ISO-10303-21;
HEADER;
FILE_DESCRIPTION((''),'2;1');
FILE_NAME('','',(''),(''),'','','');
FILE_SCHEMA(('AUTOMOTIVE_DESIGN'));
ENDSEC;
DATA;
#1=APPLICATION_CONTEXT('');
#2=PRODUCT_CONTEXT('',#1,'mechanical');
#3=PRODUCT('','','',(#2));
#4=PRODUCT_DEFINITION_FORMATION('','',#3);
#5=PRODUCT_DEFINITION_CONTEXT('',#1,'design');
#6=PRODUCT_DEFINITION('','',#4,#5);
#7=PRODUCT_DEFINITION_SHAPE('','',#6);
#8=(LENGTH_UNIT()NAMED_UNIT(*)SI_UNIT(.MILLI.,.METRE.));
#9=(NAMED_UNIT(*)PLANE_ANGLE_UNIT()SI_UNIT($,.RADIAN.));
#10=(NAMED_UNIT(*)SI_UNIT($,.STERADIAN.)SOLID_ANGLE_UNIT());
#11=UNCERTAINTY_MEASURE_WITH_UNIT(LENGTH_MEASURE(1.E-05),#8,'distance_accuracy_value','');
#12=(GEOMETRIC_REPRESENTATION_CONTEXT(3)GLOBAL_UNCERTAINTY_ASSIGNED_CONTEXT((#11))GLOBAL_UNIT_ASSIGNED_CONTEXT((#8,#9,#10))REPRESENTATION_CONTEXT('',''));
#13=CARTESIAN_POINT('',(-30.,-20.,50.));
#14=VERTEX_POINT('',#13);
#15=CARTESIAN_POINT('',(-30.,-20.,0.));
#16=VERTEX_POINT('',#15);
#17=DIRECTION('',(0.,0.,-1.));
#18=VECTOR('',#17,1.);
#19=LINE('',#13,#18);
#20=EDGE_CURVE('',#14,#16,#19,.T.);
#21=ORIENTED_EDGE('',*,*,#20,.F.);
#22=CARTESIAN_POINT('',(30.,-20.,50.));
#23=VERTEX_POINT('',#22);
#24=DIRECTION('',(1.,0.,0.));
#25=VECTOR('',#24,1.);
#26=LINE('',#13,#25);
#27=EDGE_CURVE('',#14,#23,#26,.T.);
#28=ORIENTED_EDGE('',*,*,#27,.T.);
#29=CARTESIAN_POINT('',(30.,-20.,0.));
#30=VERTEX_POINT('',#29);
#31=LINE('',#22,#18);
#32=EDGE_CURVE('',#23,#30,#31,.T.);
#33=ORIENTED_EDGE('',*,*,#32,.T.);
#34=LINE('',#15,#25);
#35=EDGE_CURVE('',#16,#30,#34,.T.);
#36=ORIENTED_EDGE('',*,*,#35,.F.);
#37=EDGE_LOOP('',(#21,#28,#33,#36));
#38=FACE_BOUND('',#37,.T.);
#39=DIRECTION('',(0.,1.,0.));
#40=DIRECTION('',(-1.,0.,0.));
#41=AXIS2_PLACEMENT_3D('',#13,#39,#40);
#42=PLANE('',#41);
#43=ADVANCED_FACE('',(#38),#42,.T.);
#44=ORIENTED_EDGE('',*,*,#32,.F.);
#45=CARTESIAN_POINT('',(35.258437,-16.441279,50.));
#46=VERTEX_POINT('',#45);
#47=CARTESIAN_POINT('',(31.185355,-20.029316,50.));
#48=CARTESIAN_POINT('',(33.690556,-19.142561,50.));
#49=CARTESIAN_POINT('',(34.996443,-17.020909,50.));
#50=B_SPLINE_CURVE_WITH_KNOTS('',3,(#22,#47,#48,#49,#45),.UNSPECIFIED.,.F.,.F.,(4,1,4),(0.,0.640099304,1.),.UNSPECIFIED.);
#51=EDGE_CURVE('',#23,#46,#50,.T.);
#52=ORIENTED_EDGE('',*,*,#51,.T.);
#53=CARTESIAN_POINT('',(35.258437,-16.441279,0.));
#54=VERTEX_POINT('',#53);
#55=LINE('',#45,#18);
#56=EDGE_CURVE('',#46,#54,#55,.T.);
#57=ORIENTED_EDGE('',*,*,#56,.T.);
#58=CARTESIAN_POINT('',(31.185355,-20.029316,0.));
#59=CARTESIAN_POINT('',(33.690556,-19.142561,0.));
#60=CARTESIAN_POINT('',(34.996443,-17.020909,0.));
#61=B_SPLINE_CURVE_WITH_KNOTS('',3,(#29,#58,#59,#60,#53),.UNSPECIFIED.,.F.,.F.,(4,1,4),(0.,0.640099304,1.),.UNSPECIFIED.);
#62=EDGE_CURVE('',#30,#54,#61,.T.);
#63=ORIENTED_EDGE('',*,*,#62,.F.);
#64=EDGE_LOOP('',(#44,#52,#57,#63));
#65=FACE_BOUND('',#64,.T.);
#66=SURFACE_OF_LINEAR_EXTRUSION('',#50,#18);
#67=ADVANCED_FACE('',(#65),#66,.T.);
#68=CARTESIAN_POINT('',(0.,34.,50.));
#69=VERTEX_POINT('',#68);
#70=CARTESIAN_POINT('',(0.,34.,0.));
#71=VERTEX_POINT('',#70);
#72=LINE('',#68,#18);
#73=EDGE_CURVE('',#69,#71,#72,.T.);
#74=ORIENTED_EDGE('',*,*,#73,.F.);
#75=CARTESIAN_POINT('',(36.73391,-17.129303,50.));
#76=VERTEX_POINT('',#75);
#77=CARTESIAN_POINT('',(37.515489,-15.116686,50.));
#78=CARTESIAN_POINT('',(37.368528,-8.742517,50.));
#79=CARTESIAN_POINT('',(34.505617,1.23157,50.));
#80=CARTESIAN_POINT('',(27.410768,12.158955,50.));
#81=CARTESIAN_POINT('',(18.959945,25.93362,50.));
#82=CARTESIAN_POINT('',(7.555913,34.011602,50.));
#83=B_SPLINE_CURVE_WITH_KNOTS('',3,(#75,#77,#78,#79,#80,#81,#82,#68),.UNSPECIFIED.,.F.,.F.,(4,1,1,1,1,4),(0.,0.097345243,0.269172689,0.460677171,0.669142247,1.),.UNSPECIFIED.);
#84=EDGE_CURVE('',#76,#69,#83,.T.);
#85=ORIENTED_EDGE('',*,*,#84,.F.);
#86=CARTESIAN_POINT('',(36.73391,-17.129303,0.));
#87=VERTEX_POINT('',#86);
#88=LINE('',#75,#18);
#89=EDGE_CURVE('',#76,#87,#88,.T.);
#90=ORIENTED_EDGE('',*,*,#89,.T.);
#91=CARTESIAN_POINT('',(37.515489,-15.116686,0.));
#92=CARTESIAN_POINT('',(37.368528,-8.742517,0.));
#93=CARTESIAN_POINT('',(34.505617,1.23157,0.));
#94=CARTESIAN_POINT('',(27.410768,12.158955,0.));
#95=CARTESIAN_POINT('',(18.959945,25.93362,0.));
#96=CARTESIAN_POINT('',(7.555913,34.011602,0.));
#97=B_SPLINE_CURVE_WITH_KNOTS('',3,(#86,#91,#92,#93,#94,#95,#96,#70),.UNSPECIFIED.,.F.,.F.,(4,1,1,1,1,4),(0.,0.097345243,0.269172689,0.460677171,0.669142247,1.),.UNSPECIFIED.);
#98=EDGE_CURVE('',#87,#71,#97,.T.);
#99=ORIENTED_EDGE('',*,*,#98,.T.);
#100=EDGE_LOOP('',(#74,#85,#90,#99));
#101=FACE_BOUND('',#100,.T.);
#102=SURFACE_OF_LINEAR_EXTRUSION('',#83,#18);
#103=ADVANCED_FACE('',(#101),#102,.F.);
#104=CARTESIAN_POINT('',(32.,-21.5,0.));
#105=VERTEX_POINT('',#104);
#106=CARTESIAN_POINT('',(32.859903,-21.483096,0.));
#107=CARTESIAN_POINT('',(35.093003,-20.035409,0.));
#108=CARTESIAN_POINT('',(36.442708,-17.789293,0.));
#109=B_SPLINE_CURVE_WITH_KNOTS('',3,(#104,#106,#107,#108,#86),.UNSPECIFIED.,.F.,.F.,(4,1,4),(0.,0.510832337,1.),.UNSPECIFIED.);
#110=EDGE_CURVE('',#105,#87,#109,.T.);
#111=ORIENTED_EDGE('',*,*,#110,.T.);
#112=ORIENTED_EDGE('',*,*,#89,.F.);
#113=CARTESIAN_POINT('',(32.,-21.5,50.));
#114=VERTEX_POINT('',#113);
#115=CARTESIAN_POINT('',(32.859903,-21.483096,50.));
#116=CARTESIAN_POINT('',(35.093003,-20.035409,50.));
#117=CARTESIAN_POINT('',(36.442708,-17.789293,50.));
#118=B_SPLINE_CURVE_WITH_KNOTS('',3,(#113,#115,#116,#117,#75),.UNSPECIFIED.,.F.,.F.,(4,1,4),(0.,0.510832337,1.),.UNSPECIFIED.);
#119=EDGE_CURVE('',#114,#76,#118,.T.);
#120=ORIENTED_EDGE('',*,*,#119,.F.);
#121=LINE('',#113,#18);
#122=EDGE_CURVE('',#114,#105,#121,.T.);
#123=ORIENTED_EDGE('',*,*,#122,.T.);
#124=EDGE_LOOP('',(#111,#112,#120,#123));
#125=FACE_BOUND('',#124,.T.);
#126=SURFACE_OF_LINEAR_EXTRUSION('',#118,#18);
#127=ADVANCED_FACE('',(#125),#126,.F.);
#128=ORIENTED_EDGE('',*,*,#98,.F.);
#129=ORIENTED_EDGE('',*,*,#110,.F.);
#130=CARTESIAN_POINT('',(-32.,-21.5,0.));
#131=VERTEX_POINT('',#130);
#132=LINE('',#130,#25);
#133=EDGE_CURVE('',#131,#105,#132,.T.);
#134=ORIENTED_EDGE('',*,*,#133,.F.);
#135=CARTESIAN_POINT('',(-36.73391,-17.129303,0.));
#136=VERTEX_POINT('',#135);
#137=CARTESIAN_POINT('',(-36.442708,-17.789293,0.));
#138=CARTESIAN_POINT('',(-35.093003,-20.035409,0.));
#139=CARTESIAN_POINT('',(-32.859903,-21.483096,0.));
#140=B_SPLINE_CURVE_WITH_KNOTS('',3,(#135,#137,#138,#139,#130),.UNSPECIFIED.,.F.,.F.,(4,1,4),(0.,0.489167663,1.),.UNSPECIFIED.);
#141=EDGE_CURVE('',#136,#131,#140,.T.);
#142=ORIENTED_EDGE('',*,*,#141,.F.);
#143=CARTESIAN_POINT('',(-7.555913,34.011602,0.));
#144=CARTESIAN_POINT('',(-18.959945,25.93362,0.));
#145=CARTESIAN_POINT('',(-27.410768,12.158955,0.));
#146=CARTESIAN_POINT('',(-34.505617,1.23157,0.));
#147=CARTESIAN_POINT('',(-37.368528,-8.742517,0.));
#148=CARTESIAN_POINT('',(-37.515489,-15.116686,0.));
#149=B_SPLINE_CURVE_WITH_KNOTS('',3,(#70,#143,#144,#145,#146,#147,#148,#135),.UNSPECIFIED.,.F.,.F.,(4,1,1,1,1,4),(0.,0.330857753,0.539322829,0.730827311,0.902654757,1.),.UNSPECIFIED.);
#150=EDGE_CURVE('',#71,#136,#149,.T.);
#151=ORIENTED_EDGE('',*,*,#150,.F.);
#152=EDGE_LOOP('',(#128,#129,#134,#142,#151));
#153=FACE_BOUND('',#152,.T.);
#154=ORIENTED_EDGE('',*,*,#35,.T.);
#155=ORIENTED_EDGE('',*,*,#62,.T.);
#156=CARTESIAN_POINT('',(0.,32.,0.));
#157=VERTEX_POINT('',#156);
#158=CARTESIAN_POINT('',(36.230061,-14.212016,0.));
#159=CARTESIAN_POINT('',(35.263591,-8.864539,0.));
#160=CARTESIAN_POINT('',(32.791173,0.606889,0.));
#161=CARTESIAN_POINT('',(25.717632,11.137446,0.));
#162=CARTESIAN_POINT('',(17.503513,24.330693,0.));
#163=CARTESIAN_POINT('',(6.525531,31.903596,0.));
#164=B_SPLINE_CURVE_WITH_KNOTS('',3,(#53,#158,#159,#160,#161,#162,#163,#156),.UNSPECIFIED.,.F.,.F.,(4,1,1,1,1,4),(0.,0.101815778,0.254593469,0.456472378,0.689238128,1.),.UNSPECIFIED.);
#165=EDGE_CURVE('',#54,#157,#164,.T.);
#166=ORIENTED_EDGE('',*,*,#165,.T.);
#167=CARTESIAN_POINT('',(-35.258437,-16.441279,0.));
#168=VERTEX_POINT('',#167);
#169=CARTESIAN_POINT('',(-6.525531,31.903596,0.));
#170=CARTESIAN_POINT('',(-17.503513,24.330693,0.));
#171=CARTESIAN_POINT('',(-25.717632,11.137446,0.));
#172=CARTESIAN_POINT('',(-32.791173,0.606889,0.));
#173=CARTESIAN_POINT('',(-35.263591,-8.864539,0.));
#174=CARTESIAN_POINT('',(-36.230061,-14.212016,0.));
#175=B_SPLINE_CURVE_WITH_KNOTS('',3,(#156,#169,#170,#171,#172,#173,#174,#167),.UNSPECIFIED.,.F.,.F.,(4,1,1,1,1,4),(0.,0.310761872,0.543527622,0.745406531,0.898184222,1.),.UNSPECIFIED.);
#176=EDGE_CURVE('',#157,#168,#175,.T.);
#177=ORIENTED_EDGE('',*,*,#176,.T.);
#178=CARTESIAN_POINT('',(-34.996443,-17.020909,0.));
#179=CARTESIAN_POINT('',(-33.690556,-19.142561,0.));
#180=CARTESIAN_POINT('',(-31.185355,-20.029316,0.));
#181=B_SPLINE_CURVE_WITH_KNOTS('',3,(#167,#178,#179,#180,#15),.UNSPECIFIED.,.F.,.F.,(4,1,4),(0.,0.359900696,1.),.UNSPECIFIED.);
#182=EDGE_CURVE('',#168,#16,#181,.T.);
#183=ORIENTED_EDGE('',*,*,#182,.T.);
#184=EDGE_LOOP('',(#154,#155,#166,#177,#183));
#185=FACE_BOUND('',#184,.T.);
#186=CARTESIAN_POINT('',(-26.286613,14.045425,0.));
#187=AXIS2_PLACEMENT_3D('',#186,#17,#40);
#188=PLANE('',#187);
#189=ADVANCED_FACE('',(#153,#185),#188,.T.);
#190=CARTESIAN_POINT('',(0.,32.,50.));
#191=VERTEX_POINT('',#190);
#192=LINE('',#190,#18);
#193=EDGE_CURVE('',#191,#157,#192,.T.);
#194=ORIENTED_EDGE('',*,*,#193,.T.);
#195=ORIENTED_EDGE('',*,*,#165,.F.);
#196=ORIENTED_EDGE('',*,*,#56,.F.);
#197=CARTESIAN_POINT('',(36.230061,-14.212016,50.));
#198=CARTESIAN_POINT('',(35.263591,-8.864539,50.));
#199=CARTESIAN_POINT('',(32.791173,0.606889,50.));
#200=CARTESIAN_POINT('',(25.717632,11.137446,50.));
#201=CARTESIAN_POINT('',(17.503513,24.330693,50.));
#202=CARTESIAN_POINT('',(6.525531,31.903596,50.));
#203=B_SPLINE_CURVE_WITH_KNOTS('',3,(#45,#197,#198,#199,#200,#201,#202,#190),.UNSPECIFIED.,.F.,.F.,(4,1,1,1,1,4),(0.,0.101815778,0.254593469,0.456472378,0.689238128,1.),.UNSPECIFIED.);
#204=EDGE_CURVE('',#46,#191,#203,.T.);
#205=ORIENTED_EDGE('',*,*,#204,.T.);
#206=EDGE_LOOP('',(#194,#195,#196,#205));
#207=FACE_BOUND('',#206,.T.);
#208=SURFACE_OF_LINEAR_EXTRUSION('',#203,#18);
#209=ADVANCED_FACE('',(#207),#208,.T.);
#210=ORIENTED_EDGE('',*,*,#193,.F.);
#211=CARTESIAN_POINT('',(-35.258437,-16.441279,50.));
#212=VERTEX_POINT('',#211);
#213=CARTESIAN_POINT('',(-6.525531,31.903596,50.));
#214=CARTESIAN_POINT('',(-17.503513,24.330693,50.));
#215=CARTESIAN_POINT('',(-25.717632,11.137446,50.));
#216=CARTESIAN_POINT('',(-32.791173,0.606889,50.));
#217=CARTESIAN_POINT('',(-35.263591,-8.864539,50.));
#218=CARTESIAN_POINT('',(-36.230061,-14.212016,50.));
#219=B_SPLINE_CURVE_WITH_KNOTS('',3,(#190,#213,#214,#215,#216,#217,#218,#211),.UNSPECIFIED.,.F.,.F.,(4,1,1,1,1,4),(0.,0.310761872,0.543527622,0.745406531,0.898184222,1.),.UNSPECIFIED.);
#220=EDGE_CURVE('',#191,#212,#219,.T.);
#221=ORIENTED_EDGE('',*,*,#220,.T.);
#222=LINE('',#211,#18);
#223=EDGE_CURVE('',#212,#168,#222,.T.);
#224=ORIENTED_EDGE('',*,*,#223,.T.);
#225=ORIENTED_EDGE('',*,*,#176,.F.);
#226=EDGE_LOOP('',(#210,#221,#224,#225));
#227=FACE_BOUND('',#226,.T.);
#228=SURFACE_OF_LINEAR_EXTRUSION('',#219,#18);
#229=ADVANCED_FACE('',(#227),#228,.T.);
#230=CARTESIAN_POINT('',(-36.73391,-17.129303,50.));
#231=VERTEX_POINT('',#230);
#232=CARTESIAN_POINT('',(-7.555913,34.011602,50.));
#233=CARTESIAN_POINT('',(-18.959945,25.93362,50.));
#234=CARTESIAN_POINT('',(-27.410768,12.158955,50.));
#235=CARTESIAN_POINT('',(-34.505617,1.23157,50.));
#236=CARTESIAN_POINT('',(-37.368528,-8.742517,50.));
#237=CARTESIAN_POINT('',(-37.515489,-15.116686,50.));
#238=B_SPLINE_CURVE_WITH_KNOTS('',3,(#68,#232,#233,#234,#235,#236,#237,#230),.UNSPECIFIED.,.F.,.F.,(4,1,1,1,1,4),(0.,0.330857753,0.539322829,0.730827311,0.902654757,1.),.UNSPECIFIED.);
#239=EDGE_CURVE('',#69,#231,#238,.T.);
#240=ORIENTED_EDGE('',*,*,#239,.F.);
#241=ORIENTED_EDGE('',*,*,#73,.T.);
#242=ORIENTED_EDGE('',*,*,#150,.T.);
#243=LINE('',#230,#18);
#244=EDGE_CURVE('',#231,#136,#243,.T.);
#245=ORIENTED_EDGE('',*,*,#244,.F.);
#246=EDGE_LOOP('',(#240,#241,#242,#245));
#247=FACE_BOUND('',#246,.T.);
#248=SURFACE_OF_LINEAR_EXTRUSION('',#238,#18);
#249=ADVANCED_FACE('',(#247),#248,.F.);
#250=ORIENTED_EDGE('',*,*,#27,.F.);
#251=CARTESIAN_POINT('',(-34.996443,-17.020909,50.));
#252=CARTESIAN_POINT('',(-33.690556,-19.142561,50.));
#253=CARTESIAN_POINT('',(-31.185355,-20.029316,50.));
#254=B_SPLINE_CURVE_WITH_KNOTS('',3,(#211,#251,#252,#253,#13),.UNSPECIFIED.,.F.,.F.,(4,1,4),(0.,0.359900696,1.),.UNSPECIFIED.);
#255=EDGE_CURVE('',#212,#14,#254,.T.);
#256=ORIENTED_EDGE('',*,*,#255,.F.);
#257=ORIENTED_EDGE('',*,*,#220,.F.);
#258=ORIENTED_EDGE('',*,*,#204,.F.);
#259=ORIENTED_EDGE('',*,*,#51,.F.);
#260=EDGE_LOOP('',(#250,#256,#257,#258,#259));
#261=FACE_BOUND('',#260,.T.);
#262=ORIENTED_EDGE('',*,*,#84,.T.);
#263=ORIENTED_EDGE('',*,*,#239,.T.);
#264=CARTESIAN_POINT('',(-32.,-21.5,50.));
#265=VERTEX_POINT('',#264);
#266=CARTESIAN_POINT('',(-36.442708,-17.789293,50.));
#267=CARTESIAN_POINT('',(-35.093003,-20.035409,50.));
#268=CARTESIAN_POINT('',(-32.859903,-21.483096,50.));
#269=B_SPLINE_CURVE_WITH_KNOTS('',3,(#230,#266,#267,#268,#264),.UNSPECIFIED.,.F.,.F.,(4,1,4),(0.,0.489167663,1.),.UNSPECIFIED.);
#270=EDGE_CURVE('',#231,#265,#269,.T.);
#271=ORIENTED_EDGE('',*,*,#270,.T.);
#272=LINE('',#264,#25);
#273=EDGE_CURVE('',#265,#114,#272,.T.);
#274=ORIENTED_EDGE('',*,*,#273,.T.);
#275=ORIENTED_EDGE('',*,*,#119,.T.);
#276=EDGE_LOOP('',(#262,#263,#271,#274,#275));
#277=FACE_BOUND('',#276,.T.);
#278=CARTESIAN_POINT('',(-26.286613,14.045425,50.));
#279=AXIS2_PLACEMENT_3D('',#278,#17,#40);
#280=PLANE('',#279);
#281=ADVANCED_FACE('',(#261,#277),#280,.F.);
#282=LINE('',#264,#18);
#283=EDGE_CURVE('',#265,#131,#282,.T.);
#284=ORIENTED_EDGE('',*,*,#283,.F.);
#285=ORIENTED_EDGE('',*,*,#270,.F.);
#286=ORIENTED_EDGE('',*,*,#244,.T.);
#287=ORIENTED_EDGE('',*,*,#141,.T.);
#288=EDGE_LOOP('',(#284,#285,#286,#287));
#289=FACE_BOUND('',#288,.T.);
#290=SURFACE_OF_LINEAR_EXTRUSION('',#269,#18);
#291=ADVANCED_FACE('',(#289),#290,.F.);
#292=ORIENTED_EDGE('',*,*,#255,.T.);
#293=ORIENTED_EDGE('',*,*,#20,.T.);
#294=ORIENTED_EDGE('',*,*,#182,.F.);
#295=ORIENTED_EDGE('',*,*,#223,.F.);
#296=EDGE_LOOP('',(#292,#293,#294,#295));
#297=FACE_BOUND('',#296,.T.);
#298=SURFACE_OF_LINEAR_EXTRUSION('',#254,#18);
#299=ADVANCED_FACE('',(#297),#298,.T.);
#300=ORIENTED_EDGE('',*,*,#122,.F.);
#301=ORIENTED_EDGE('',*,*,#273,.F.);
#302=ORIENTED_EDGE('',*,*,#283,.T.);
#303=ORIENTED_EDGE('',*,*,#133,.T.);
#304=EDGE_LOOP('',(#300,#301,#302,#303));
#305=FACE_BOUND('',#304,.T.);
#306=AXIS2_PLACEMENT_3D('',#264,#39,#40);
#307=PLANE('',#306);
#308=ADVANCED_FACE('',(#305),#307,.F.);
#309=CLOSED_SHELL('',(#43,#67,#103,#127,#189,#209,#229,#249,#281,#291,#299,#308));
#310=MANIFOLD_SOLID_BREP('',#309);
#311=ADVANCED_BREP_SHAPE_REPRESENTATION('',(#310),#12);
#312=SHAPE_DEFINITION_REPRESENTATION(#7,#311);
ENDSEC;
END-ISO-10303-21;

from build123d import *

# Parameters (mm, degrees)
EXTRUDE_1_DEPTH = 50


with BuildPart() as part:
    # 草图1 → 凸台-拉伸1 (new body)
    with BuildSketch(Plane.XY):
        with BuildLine():
            Line((-32, -21.5), (32, -21.5))
            add(Edge.make_bspline(
                [(36.733909542, -17.129303333), (36.442708458, -17.789293258), (35.093003072, -20.035409342), (32.859902831, -21.483095563), (32, -21.5)],
                knots=[0, 0, 0, 0, 0.489167663, 1, 1, 1, 1], degree=3))
            add(Edge.make_bspline(
                [(0, 34), (7.555913279, 34.011602268), (18.959944892, 25.933619789), (27.410768064, 12.158954921), (34.505617486, 1.231569585), (37.368528413, -8.742517367), (37.515489023, -15.116686236), (36.733909542, -17.129303333)],
                knots=[0, 0, 0, 0, 0.330857753, 0.539322829, 0.730827311, 0.902654757, 1, 1, 1, 1], degree=3))
            add(Edge.make_bspline(
                [(0, 34), (-7.555913279, 34.011602268), (-18.959944892, 25.933619789), (-27.410768064, 12.158954921), (-34.505617486, 1.231569585), (-37.368528413, -8.742517367), (-37.515489023, -15.116686236), (-36.733909542, -17.129303333)],
                knots=[0, 0, 0, 0, 0.330857753, 0.539322829, 0.730827311, 0.902654757, 1, 1, 1, 1], degree=3))
            add(Edge.make_bspline(
                [(-36.733909542, -17.129303333), (-36.442708458, -17.789293258), (-35.093003072, -20.035409342), (-32.859902831, -21.483095563), (-32, -21.5)],
                knots=[0, 0, 0, 0, 0.489167663, 1, 1, 1, 1], degree=3))
        make_face()
        with BuildLine():
            Line((-30, -20), (30, -20))
            add(Edge.make_bspline(
                [(35.258436844, -16.441279115), (34.996443421, -17.020908852), (33.690556146, -19.14256109), (31.185354686, -20.029316023), (30, -20)],
                knots=[0, 0, 0, 0, 0.359900696, 1, 1, 1, 1], degree=3))
            add(Edge.make_bspline(
                [(0, 32), (6.525531342, 31.903595671), (17.503513361, 24.330693276), (25.717632299, 11.137446439), (32.791173162, 0.606888673), (35.263590912, -8.864538837), (36.230061186, -14.212016256), (35.258436844, -16.441279115)],
                knots=[0, 0, 0, 0, 0.310761872, 0.543527622, 0.745406531, 0.898184222, 1, 1, 1, 1], degree=3))
            add(Edge.make_bspline(
                [(0, 32), (-6.525531342, 31.903595671), (-17.503513361, 24.330693276), (-25.717632299, 11.137446439), (-32.791173162, 0.606888673), (-35.263590912, -8.864538837), (-36.230061186, -14.212016256), (-35.258436844, -16.441279115)],
                knots=[0, 0, 0, 0, 0.310761872, 0.543527622, 0.745406531, 0.898184222, 1, 1, 1, 1], degree=3))
            add(Edge.make_bspline(
                [(-35.258436844, -16.441279115), (-34.996443421, -17.020908852), (-33.690556146, -19.14256109), (-31.185354686, -20.029316023), (-30, -20)],
                knots=[0, 0, 0, 0, 0.359900696, 1, 1, 1, 1], degree=3))
        make_face(mode=Mode.SUBTRACT)
    extrude(amount=EXTRUDE_1_DEPTH)


solid = part.part
